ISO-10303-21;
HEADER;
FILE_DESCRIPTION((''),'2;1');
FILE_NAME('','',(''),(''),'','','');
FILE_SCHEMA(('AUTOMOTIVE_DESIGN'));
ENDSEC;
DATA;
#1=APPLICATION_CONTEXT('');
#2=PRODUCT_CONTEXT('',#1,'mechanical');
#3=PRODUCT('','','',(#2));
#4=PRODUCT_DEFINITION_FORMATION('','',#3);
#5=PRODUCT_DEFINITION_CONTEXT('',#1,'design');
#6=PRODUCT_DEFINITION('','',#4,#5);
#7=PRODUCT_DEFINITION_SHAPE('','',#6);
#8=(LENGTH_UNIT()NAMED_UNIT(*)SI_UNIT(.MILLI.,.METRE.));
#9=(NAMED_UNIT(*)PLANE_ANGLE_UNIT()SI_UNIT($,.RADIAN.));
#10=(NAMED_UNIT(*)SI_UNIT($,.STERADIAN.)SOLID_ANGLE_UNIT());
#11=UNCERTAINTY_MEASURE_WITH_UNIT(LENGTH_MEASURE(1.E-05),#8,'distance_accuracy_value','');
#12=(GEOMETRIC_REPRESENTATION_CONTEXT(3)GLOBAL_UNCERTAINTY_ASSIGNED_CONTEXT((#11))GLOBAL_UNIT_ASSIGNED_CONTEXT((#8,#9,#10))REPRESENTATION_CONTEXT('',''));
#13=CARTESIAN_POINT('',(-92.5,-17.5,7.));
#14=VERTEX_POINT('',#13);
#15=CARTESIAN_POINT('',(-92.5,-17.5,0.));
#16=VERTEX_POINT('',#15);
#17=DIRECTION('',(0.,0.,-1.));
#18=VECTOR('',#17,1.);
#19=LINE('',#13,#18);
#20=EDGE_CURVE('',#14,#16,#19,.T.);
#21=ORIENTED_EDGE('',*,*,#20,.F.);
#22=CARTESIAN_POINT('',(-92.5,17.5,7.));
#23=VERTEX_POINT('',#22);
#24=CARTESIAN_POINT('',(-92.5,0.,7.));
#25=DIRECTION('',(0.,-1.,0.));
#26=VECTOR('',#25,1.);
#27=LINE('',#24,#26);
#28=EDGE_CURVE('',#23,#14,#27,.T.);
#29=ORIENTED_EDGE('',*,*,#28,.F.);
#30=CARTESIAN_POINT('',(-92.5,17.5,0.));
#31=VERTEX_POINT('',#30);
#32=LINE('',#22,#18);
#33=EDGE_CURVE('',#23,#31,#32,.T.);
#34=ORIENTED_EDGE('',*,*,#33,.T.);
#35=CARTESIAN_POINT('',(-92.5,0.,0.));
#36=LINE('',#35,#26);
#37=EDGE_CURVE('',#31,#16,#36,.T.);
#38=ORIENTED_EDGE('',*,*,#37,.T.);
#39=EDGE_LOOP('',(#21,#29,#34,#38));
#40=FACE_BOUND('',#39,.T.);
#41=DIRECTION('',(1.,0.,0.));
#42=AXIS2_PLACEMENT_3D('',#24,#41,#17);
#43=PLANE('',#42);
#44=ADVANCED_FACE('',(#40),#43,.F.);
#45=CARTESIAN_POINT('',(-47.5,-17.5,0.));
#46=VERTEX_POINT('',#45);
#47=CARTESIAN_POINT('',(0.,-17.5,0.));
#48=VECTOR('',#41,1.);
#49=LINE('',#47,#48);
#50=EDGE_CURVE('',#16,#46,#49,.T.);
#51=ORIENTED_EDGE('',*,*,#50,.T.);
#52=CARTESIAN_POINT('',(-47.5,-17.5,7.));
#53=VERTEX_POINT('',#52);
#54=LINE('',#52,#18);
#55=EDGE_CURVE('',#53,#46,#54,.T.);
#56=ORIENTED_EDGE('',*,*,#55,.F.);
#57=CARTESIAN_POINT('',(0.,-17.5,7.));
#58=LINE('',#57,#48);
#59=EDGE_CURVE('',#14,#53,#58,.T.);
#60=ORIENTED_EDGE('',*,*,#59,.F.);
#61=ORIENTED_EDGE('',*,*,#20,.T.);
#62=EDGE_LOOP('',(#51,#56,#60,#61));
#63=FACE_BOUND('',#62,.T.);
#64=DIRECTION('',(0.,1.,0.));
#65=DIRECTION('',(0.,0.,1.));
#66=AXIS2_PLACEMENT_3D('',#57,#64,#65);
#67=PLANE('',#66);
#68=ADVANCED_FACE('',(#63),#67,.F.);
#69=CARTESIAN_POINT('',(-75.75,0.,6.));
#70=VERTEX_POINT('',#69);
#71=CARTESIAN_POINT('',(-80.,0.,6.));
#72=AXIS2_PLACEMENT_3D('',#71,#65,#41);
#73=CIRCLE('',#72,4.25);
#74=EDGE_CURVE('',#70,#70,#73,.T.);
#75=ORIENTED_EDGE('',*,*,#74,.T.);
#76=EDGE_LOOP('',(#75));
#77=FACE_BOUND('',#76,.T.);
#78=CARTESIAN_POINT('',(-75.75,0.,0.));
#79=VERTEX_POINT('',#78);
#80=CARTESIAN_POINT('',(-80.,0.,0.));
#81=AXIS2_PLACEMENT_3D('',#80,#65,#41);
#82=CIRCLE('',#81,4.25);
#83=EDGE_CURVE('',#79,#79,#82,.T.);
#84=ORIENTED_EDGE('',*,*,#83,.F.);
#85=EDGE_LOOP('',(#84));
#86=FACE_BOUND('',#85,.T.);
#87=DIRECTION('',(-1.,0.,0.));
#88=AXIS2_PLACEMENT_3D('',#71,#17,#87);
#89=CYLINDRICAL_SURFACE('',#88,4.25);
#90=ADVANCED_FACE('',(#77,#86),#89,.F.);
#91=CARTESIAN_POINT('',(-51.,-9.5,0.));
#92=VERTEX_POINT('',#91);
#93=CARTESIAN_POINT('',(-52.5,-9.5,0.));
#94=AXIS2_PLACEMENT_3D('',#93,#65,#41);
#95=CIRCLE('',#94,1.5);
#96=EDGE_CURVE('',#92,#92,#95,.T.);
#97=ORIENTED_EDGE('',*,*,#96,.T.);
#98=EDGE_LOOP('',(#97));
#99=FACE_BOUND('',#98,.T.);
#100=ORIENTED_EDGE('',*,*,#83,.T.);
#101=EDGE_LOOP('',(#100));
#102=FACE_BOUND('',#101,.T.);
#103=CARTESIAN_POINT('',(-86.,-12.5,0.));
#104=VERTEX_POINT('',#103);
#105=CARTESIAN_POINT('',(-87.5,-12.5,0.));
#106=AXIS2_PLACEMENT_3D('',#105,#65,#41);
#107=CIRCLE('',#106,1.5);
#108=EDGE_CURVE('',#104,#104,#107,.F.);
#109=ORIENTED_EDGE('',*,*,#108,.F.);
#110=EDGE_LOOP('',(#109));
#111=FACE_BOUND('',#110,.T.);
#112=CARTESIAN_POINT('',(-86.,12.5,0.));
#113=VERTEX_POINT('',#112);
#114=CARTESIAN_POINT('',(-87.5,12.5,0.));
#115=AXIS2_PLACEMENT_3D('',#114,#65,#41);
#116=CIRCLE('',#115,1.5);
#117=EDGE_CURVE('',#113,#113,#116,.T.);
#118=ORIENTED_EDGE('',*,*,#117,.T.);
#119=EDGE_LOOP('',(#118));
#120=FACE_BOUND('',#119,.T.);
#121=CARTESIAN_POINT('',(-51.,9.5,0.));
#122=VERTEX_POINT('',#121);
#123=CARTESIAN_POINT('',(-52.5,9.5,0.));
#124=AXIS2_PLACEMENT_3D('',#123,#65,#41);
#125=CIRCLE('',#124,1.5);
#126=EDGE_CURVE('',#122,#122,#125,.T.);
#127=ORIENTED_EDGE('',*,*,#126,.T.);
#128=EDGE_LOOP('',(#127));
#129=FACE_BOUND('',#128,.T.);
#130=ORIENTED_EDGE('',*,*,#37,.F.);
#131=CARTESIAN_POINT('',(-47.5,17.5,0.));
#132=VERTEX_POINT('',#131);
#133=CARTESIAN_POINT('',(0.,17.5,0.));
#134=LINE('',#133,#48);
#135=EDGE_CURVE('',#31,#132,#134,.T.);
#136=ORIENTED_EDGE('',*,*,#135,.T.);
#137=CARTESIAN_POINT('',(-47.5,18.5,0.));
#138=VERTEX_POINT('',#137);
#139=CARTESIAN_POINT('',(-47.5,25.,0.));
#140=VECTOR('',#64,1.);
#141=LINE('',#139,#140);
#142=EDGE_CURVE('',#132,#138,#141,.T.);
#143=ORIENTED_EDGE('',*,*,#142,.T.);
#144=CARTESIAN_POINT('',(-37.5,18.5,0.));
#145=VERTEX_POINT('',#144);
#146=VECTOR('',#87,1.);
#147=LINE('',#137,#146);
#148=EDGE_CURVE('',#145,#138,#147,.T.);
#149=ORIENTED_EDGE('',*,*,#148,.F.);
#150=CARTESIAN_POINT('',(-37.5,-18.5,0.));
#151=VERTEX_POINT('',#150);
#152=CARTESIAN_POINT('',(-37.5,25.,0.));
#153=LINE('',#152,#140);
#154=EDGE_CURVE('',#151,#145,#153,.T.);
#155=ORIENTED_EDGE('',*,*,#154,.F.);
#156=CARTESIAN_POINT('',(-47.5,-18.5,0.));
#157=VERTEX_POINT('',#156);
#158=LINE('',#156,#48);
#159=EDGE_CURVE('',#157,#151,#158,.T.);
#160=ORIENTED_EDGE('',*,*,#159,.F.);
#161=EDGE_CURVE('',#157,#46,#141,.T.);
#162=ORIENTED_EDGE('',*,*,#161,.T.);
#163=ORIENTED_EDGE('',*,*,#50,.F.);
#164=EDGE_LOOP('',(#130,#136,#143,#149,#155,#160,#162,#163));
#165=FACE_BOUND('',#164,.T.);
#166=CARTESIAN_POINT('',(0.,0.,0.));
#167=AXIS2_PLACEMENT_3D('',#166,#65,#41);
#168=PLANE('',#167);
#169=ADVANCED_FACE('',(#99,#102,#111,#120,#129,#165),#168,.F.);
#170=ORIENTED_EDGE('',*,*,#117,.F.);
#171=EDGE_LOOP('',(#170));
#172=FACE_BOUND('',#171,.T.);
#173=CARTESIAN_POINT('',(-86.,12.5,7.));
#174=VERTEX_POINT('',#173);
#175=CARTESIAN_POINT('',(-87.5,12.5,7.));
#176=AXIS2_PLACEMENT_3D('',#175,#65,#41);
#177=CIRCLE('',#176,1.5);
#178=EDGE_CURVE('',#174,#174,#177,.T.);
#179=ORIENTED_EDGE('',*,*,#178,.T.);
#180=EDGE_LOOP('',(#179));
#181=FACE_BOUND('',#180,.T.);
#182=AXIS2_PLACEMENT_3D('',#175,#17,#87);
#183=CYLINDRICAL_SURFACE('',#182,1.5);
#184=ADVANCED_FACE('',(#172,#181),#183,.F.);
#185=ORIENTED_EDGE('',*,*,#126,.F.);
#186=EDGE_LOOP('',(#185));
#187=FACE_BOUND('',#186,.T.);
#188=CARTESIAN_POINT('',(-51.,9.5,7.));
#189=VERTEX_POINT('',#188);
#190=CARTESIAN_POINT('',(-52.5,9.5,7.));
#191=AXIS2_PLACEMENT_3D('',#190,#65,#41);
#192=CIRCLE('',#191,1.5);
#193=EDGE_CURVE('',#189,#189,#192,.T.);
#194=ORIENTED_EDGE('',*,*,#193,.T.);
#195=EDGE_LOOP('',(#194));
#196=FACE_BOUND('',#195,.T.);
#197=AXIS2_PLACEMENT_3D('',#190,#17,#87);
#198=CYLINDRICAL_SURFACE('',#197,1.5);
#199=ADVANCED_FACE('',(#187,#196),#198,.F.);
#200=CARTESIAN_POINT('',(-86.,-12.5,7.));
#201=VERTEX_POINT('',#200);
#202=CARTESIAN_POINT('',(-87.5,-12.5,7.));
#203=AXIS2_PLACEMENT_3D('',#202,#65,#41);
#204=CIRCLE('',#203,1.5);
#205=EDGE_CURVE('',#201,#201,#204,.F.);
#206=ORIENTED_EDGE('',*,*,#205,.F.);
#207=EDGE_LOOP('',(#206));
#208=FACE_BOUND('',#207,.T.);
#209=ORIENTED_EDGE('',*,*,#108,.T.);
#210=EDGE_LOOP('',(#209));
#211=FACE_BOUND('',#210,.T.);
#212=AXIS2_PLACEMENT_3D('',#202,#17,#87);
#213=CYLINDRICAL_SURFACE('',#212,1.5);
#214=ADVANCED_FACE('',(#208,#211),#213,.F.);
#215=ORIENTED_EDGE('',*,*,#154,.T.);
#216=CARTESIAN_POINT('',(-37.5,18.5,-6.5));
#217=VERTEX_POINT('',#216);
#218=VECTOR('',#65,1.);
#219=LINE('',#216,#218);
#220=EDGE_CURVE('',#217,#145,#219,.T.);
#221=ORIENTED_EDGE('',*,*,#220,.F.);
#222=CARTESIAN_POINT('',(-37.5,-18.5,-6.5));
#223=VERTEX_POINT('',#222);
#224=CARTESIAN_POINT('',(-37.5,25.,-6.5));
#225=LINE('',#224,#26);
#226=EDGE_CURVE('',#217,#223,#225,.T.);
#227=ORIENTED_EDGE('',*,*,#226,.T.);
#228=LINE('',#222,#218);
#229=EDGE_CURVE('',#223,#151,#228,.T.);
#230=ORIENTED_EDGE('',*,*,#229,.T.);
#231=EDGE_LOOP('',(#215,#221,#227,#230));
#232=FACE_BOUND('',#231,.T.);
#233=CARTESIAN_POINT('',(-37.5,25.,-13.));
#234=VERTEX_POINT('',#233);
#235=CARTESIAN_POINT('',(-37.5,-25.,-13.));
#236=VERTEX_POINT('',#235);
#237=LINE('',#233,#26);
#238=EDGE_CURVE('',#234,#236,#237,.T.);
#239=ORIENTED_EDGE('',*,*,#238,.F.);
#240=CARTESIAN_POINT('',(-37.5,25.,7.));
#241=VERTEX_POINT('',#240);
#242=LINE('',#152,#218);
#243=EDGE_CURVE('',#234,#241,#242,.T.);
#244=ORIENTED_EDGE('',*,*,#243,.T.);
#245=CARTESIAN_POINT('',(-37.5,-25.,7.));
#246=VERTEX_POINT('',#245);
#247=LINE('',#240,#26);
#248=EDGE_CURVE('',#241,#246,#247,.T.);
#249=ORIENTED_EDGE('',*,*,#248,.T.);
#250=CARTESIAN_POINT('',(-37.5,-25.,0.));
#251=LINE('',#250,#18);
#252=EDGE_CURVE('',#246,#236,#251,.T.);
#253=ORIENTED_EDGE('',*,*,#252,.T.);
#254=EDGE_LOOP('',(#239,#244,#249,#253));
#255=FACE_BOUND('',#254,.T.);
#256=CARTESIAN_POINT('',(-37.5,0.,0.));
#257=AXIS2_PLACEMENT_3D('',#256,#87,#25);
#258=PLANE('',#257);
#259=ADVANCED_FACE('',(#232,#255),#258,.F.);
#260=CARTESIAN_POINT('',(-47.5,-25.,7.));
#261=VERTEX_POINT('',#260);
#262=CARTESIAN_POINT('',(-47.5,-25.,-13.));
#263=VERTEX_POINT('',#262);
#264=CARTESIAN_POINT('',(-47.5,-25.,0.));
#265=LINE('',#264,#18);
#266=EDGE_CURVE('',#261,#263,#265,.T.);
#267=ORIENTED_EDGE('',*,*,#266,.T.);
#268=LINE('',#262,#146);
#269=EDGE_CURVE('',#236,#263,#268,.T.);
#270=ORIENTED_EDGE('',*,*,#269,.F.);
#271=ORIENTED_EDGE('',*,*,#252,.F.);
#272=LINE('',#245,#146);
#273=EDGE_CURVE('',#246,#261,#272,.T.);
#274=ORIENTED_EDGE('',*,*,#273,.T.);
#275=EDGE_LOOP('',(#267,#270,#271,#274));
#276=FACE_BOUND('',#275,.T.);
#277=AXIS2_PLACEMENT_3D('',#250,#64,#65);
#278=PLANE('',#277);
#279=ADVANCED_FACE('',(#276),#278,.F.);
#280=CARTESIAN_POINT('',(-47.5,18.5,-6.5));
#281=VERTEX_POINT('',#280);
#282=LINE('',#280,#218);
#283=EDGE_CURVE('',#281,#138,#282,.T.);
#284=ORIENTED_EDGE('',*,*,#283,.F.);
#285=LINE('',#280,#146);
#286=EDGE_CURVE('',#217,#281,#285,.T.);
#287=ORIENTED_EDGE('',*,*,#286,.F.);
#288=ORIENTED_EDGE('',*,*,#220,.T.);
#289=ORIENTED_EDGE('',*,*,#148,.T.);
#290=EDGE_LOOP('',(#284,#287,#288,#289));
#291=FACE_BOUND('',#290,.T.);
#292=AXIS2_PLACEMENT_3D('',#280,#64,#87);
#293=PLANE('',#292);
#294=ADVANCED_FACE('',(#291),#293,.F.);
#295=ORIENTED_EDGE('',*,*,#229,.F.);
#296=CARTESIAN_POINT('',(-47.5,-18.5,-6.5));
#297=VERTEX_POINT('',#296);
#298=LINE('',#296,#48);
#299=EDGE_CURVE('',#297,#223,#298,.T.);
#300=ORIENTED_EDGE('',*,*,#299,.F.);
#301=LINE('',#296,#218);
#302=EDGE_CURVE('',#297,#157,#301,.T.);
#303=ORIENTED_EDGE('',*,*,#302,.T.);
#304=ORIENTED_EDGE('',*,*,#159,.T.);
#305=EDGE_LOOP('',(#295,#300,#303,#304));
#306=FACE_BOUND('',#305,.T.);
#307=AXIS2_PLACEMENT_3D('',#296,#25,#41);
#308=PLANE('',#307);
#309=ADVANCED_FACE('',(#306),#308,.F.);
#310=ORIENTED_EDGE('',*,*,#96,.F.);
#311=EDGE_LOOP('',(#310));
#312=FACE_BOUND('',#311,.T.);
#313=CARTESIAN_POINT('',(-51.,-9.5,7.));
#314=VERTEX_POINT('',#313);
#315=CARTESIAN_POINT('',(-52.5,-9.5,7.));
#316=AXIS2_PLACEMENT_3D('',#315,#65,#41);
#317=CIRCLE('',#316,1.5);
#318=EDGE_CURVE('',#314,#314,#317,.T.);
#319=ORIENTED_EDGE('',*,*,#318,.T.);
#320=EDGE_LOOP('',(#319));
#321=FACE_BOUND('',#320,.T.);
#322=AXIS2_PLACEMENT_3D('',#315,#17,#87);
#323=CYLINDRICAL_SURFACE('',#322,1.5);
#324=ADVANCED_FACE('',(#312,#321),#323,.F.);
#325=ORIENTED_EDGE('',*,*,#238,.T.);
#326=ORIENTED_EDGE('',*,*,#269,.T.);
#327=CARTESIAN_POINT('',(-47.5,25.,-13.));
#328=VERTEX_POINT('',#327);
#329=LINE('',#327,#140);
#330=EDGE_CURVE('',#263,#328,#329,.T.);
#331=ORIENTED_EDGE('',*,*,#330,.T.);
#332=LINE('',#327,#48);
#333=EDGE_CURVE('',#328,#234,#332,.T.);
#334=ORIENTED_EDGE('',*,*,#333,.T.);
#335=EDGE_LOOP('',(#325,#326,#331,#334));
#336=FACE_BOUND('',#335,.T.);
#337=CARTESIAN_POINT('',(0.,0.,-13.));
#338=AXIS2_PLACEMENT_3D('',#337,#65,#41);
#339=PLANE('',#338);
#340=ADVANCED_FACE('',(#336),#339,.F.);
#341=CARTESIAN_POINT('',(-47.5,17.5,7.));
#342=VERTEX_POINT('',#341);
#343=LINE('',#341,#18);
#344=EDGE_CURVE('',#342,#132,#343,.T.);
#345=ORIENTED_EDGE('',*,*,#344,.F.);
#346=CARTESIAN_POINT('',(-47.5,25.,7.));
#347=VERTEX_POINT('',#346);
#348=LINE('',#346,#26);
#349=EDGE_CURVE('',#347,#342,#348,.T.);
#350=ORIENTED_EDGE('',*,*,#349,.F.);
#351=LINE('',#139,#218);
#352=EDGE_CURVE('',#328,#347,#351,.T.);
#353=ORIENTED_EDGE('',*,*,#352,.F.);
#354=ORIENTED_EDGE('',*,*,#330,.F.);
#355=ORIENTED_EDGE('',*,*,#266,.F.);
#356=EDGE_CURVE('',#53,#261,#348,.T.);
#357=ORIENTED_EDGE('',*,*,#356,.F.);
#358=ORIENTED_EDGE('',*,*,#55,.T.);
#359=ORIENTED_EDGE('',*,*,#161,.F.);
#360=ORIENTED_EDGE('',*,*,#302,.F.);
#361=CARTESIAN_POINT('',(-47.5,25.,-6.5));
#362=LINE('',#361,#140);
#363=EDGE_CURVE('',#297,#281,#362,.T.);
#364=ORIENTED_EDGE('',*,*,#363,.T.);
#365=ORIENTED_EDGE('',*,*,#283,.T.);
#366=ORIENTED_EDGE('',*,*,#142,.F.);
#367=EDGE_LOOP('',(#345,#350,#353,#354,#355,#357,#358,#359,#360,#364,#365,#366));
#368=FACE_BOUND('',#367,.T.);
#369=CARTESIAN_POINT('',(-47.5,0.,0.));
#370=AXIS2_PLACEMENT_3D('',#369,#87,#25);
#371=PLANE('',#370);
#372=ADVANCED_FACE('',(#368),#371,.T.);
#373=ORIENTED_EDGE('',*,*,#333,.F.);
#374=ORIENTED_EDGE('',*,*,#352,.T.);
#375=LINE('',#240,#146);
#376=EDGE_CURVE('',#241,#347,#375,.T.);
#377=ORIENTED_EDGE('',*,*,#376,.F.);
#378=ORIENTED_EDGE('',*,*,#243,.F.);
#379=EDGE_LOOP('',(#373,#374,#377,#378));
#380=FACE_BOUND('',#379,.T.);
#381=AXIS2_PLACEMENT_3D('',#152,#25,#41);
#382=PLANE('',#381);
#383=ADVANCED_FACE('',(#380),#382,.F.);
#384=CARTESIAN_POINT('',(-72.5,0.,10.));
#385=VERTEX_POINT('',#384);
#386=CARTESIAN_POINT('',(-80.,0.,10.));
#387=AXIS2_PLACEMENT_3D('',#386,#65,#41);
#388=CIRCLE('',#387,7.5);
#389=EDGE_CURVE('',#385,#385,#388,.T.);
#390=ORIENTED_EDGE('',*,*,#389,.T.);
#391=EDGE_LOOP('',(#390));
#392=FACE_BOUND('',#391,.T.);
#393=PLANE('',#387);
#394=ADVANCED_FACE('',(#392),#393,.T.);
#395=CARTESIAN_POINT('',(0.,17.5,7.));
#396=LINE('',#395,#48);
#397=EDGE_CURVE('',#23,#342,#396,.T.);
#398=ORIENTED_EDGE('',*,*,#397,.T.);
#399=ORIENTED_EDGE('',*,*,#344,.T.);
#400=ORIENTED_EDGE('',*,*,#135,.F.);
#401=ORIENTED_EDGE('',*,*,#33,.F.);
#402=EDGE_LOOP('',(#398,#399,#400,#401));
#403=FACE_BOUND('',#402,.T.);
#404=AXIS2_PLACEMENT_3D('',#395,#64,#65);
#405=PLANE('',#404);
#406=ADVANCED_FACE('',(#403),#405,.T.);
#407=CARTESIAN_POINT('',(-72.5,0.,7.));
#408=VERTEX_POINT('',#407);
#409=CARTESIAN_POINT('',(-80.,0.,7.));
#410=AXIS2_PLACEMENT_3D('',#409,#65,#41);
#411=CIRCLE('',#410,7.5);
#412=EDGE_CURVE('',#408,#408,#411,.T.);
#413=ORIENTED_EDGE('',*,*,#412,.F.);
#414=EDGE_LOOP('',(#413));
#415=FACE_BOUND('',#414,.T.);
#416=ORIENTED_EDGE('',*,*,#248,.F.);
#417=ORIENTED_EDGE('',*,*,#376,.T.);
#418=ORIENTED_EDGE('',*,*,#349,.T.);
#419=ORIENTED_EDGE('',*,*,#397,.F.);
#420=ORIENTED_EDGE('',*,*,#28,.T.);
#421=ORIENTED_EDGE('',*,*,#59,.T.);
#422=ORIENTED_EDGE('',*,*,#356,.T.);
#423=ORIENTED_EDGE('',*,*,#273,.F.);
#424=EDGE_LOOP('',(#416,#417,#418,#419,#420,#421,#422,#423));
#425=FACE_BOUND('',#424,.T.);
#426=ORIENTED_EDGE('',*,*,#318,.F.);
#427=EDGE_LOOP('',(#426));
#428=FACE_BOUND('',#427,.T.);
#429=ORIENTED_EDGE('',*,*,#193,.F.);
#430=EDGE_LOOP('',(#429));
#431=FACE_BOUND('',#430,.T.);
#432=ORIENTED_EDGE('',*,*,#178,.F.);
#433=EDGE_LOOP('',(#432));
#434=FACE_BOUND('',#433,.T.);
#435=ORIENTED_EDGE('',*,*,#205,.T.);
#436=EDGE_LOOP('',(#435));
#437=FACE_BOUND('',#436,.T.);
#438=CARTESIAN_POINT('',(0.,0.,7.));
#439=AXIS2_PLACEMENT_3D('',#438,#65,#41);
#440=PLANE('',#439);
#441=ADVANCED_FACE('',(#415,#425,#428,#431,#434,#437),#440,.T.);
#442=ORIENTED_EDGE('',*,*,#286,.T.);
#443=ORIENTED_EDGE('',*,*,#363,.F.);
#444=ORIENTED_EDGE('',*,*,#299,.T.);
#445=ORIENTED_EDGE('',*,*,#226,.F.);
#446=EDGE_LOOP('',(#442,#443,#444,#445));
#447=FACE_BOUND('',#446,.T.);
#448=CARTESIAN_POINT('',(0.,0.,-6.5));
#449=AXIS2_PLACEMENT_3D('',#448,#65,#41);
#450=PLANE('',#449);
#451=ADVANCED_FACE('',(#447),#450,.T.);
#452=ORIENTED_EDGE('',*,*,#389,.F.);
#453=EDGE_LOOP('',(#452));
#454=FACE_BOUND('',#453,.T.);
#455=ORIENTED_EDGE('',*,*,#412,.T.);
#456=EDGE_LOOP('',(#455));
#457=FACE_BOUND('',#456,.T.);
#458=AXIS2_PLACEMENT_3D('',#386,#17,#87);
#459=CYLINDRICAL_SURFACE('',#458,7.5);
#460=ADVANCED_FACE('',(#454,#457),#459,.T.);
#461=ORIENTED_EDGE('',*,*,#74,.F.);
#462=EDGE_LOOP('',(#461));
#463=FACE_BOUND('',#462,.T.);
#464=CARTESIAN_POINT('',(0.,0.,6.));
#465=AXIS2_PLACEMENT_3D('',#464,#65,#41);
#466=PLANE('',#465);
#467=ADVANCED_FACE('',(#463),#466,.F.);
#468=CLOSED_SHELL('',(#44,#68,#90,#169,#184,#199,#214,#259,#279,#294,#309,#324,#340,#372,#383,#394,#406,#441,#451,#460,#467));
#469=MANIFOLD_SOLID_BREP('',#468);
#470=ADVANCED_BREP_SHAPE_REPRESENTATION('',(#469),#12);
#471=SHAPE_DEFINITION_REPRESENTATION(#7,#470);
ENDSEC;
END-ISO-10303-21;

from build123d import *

# Parameters (mm, degrees)
SKETCH1_R           = 1.5
BOSS_EXTRUDE1_DEPTH = 7
SKETCH2_W           = 7
SKETCH2_H           = 50
BOSS_EXTRUDE2_DEPTH = 10
SKETCH3_W           = 10
SKETCH3_H           = 6.5
BOSS_EXTRUDE3_DEPTH = 6.5
SKETCH4_W           = 10
SKETCH4_H           = 50
BOSS_EXTRUDE4_DEPTH = 6.5
SKETCH5_R           = 7.5
BOSS_EXTRUDE5_DEPTH = 3
SKETCH1_3_R         = 4.25
CUT_EXTRUDE1_DEPTH  = 6


with BuildPart() as part:
    # Sketch1 → Boss-Extrude1 (new body)
    with BuildSketch(Plane.XY):
        Polygon((-47.5, 17.5), (-92.5, 17.5), (-92.5, 0), (-92.5, -17.5), (-47.5, -17.5), align=None)
        with Locations((-87.5, -12.5)):
            Circle(SKETCH1_R, mode=Mode.SUBTRACT)
        with Locations((-52.5, -9.5)):
            Circle(SKETCH1_R, mode=Mode.SUBTRACT)
        with Locations((-87.5, 12.5)):
            Circle(SKETCH1_R, mode=Mode.SUBTRACT)
        with Locations((-52.5, 9.5)):
            Circle(SKETCH1_R, mode=Mode.SUBTRACT)
    extrude(amount=BOSS_EXTRUDE1_DEPTH)

    # Sketch2 → Boss-Extrude2 (add)
    with BuildSketch(Plane(origin=(-47.5, 0, 0), x_dir=(0, 0, -1), z_dir=(1, 0, 0))):
        with Locations((-3.5, 0)):
            Rectangle(SKETCH2_W, SKETCH2_H)
    extrude(amount=BOSS_EXTRUDE2_DEPTH)

    # Sketch3 → Boss-Extrude3 (add)
    with BuildSketch(Plane(origin=(0, 0, 0), x_dir=(-1, 0, 0), z_dir=(0, 0, -1))):
        with Locations((42.5, 21.75)):
            Rectangle(SKETCH3_W, SKETCH3_H)
        with Locations((42.5, -21.75)):
            Rectangle(SKETCH3_W, SKETCH3_H)
    extrude(amount=BOSS_EXTRUDE3_DEPTH)

    # Sketch4 → Boss-Extrude4 (add)
    with BuildSketch(Plane(origin=(0, 0, -6.5), x_dir=(-1, 0, 0), z_dir=(0, 0, -1))):
        with Locations((42.5, 0)):
            Rectangle(SKETCH4_W, SKETCH4_H)
    extrude(amount=BOSS_EXTRUDE4_DEPTH)

    # Sketch5 → Boss-Extrude5 (add)
    with BuildSketch(Plane.XY.offset(7)):
        with Locations((-80, 0)):
            Circle(SKETCH5_R)
    extrude(amount=BOSS_EXTRUDE5_DEPTH)

    # Sketch1<3> → Cut-Extrude1 (cut)
    with BuildSketch(Plane.XY):
        with Locations((-80, 0)):
            Circle(SKETCH1_3_R)
    extrude(amount=CUT_EXTRUDE1_DEPTH, mode=Mode.SUBTRACT)


solid = part.part
